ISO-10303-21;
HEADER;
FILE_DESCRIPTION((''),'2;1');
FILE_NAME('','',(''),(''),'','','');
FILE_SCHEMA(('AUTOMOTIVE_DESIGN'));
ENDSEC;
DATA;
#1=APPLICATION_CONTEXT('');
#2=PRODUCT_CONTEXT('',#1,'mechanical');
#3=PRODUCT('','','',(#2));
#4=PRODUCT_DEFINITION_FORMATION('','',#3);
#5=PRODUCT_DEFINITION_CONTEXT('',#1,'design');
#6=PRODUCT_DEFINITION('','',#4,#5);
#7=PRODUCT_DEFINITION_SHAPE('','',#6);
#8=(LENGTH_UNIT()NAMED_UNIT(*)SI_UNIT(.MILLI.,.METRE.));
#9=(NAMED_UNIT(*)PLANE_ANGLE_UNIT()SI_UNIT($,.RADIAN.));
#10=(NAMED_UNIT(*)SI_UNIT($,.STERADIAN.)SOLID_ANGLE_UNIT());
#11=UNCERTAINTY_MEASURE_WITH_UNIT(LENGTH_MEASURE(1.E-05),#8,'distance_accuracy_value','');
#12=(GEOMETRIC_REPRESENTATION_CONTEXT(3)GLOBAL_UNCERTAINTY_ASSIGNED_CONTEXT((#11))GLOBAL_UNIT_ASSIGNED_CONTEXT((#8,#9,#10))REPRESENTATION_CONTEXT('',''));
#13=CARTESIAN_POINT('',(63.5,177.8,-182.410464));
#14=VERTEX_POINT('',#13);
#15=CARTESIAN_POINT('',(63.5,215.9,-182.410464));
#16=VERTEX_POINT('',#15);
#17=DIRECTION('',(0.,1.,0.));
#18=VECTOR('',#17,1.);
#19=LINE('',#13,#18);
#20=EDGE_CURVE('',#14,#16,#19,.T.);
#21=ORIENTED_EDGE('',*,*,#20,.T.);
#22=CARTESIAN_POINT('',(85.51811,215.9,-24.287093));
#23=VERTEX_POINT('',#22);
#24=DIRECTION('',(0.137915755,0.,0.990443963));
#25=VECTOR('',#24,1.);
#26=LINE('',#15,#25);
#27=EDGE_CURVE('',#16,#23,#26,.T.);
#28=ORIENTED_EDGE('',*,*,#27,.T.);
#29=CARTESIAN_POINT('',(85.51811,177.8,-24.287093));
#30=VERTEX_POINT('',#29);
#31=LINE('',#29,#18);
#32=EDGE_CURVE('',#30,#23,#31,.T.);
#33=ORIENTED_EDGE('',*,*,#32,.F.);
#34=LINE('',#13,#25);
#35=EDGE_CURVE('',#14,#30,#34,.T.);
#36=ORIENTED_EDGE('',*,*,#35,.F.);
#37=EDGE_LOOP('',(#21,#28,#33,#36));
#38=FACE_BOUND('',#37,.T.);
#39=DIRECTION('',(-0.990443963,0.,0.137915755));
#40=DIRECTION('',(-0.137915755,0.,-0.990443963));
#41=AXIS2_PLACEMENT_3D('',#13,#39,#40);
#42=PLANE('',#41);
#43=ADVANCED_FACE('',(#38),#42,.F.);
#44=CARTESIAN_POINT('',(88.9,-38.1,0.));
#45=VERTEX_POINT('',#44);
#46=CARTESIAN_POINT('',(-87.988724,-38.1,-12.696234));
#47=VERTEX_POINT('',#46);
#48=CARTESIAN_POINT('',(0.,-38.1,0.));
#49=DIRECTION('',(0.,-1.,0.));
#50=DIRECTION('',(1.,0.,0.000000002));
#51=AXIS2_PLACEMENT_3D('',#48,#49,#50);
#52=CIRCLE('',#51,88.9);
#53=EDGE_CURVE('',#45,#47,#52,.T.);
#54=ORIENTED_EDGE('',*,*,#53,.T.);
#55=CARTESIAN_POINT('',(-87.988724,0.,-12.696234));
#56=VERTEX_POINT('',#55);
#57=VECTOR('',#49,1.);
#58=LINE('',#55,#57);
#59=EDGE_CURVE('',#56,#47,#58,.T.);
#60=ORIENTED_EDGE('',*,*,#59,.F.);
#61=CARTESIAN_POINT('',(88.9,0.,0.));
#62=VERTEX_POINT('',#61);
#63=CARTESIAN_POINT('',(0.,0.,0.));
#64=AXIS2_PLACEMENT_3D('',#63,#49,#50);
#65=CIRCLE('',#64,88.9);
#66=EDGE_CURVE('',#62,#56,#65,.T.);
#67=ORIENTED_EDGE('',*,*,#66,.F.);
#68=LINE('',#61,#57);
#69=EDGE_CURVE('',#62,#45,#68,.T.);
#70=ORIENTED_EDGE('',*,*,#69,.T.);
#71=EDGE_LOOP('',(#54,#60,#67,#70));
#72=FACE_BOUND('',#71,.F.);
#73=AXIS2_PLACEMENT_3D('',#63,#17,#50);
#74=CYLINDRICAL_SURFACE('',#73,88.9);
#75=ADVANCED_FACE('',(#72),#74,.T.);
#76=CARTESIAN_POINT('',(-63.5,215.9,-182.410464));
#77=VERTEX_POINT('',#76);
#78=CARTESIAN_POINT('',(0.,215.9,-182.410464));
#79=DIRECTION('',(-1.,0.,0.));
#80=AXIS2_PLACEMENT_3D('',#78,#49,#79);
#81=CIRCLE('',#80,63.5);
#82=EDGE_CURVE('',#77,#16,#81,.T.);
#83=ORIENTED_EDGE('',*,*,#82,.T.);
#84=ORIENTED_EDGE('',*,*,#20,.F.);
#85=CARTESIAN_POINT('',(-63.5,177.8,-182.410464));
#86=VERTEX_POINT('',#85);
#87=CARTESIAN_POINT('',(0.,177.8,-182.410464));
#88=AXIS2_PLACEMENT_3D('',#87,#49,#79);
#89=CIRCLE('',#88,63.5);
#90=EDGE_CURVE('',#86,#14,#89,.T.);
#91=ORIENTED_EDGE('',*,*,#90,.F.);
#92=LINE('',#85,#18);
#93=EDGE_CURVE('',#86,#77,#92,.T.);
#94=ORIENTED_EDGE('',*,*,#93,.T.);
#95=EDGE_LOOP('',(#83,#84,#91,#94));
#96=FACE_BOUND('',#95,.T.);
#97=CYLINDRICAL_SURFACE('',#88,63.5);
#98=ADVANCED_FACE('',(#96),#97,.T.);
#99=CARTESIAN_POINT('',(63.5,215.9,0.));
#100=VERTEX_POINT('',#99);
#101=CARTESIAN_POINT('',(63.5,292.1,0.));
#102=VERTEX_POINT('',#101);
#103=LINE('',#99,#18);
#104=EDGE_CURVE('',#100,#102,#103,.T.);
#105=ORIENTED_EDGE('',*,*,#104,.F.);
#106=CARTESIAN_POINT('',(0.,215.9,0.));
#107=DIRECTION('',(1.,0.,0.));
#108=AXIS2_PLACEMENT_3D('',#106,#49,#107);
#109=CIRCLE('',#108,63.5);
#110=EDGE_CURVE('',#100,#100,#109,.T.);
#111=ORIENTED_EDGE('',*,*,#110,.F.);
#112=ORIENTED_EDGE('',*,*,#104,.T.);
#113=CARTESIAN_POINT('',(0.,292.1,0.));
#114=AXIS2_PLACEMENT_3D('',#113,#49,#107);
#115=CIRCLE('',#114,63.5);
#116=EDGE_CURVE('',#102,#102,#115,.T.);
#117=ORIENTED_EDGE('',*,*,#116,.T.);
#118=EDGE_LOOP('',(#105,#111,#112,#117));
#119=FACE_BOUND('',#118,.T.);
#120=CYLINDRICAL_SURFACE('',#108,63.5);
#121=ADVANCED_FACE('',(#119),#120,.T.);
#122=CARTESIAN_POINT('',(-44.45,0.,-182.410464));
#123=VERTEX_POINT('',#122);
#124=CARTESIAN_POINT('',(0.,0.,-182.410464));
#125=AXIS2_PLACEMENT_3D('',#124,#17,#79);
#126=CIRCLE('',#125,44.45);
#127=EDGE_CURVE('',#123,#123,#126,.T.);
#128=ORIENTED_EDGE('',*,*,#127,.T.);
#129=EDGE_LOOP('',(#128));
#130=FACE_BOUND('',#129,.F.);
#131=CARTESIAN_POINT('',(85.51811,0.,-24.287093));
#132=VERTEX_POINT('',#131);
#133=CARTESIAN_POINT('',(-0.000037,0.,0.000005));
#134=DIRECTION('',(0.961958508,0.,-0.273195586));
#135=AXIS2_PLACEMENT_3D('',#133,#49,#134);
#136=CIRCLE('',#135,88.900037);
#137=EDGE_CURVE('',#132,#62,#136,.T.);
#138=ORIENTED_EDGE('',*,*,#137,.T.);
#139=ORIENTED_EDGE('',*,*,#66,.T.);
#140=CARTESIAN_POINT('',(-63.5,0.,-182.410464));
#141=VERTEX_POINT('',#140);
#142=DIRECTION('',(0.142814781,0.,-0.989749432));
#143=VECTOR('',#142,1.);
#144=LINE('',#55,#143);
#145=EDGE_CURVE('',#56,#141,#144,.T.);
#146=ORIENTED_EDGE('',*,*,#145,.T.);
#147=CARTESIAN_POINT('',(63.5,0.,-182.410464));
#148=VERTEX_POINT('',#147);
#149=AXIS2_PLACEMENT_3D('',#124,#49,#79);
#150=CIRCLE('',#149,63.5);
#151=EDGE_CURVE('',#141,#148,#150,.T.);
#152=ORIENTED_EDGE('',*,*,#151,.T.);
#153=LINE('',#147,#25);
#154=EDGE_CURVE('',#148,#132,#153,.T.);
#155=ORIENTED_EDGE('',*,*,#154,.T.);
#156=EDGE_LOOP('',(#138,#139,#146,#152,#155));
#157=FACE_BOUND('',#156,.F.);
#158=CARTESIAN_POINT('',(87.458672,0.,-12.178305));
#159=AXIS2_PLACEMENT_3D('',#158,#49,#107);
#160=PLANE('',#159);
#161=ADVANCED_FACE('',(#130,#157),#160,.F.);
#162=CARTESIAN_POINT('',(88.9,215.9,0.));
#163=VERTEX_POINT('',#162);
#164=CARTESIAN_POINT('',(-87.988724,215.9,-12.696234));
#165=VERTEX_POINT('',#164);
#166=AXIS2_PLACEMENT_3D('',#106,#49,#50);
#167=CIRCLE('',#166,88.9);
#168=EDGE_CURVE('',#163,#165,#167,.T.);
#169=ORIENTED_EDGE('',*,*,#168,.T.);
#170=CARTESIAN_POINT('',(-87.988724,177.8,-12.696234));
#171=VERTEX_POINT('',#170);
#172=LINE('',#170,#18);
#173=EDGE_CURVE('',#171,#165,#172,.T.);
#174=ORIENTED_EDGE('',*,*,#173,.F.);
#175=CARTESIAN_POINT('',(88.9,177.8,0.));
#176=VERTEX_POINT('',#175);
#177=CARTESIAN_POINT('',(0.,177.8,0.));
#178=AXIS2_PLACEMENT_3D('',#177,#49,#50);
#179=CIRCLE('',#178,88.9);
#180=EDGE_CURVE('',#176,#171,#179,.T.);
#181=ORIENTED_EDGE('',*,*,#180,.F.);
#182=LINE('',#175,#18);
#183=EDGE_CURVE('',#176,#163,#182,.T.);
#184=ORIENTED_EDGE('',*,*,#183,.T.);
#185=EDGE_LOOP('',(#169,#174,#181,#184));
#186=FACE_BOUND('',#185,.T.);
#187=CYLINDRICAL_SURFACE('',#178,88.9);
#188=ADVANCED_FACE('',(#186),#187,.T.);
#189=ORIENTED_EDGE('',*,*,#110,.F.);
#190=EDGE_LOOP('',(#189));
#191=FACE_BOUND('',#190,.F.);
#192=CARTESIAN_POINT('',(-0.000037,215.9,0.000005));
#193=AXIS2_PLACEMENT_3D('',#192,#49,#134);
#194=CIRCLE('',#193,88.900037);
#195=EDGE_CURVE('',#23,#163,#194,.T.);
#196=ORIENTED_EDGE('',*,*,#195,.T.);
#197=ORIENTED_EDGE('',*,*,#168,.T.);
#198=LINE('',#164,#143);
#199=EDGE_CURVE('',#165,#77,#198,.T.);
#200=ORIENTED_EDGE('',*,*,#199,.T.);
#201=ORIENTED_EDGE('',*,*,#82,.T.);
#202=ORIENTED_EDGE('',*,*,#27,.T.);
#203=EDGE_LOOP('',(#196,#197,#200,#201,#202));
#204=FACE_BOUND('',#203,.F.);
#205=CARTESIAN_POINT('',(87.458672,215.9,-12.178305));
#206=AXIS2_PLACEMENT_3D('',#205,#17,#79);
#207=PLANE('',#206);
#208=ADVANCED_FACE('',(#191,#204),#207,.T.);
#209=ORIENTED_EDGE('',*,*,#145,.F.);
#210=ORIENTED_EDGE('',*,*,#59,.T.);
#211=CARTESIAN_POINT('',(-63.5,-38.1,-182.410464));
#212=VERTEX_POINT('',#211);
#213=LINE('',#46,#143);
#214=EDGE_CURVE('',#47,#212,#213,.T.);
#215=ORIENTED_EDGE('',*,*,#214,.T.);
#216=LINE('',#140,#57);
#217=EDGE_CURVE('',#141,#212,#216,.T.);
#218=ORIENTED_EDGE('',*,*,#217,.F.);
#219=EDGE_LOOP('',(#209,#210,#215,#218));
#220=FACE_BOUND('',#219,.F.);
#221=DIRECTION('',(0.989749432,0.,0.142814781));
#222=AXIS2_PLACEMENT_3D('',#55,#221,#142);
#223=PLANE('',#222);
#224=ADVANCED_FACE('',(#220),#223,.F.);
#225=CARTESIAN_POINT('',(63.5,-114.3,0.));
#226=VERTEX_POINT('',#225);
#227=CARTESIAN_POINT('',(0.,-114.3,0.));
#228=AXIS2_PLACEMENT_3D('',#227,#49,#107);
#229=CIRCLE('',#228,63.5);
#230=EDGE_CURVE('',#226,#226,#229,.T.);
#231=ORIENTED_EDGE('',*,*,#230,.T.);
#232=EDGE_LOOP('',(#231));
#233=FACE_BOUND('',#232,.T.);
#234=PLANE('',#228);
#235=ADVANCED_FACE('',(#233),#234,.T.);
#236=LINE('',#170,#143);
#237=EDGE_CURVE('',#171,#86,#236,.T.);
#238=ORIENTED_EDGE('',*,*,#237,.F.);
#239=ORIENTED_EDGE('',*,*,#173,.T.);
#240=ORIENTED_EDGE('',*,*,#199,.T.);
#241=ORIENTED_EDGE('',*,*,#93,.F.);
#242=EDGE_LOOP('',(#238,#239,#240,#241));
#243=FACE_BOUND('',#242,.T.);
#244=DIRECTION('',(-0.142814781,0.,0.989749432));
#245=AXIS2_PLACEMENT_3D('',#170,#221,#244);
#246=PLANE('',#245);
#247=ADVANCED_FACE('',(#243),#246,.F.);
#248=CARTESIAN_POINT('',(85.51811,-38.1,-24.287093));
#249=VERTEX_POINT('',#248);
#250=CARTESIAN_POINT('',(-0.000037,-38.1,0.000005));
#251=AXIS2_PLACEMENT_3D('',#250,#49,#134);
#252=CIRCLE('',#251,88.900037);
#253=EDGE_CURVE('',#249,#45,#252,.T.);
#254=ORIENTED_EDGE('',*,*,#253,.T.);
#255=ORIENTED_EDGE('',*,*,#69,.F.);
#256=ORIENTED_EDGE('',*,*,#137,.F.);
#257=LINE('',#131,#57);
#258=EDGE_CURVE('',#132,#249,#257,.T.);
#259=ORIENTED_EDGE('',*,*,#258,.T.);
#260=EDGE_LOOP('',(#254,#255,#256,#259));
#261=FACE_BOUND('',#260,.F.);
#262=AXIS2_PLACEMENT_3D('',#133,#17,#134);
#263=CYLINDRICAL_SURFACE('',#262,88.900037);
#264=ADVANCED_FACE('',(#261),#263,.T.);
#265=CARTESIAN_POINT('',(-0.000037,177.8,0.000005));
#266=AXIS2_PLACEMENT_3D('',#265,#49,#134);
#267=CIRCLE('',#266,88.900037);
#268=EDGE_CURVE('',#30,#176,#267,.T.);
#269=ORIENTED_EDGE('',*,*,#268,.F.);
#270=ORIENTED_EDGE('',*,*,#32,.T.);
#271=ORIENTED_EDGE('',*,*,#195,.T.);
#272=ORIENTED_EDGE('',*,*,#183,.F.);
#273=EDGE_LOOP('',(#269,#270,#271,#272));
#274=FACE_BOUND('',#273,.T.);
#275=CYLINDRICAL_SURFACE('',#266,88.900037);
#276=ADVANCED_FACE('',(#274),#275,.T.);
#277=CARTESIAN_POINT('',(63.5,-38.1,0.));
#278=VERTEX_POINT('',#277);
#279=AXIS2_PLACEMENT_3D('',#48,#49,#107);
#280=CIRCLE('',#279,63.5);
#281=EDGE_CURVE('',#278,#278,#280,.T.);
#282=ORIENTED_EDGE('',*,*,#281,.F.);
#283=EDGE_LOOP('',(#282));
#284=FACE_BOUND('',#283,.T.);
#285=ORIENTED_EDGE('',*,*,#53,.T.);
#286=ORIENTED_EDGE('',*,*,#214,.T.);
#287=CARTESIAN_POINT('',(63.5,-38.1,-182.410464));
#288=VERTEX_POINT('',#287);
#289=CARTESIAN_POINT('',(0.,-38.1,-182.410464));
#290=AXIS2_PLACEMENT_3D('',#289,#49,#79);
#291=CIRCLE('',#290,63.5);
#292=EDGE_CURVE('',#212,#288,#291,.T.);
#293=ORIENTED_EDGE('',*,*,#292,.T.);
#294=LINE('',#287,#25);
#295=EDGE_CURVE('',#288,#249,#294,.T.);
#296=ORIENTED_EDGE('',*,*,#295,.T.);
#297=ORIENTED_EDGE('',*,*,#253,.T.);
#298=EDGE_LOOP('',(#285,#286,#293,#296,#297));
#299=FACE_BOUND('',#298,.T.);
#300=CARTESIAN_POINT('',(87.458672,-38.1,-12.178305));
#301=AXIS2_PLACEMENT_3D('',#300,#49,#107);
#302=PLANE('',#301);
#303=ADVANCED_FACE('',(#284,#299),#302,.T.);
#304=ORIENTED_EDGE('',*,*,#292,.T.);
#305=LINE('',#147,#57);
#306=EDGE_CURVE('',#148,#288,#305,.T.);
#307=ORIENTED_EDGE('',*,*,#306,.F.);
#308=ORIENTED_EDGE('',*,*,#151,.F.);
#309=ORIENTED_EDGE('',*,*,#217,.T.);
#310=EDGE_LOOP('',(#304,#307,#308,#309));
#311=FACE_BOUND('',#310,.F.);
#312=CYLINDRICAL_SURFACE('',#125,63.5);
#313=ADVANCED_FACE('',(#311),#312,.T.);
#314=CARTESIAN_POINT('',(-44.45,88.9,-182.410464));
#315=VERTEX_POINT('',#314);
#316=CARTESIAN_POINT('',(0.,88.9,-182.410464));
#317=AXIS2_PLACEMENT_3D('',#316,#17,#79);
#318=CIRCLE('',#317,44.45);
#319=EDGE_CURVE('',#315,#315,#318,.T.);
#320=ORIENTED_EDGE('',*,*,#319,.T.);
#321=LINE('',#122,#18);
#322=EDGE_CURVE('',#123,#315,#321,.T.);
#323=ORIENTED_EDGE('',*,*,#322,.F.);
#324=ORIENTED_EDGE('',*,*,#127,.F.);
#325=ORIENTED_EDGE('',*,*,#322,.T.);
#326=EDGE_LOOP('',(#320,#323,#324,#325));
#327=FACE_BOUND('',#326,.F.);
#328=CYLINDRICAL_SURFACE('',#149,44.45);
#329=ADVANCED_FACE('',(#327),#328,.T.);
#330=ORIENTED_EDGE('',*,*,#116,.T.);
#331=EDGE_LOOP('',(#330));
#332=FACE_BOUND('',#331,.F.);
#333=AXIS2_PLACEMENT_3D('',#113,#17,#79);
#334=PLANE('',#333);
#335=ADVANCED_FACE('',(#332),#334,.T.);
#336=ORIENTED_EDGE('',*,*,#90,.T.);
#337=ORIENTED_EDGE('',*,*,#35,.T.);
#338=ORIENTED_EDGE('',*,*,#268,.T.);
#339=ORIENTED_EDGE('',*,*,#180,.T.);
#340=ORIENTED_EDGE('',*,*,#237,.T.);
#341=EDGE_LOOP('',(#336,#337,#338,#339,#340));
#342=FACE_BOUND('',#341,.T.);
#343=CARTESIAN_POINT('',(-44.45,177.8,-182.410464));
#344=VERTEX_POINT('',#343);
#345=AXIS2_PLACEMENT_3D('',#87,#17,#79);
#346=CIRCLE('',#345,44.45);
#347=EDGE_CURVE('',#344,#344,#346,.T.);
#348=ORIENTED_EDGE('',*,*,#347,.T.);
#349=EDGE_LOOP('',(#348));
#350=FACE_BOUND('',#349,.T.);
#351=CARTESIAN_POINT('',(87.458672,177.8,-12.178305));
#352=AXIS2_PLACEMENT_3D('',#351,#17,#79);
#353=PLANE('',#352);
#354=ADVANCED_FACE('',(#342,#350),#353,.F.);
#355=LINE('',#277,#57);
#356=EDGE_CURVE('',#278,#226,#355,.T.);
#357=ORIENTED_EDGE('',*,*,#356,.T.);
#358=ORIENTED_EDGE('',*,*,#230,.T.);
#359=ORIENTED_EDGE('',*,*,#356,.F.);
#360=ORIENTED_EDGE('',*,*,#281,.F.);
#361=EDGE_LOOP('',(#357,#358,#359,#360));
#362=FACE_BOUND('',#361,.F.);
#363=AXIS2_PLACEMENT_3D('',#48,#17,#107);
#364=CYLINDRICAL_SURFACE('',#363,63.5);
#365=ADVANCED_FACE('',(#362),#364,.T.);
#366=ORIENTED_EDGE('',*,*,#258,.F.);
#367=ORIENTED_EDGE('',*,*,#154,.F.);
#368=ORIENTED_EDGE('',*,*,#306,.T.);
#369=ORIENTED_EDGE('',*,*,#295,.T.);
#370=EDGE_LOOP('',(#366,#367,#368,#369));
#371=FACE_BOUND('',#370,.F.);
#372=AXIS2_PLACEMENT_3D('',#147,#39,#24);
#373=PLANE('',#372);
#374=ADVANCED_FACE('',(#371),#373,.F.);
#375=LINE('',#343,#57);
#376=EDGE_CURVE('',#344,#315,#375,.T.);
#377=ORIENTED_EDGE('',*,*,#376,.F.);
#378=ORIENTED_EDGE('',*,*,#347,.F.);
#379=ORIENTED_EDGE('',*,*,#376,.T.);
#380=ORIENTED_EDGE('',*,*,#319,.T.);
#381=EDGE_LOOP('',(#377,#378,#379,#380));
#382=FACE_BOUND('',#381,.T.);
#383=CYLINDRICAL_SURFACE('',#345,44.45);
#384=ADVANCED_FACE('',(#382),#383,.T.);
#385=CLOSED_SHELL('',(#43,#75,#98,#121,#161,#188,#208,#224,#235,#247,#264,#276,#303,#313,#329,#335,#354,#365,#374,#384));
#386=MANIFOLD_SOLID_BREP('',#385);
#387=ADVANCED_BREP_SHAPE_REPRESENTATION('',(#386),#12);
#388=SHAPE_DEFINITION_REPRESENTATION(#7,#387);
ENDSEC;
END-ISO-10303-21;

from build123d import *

# Parameters (mm, degrees)
F1_DEPTH = 38.1
F2_R     = 63.5
F3_DEPTH = 76.2
F4_R     = 44.45
F5_DEPTH = 88.9


with BuildPart() as f1:
    # F0 (on Front) → F1 (new body)
    with BuildSketch(Plane.XZ):
        with BuildLine():
            Line((88.9, 0), (85.51811, -24.287093))
            ThreePointArc((85.51811, -24.287093), (88.050468, -12.260711), (88.9, 0))
        make_face()
        with BuildLine():
            Line((63.5, -182.410464), (85.51811, -24.287093))
            Line((85.51811, -24.287093), (88.9, 0))
            ThreePointArc((88.9, 0), (-6.364448, 88.671888), (-87.988724, -12.696234))
            Line((-87.988724, -12.696234), (-63.5, -182.410464))
            ThreePointArc((-63.5, -182.410464), (0, -245.910464), (63.5, -182.410464))
        make_face()
    extrude(amount=F1_DEPTH)

    # F2 (on face) → F3 (join)
    with BuildSketch(Plane.XZ.offset(38.1)):
        Circle(F2_R)
    extrude(amount=F3_DEPTH)

    # F4 (on face) → F5 (join)
    with BuildSketch(Plane(origin=(0, 0, 0), x_dir=(-1, 0, 0), z_dir=(0, 1, 0))):
        with Locations((0, -182.410464)):
            Circle(F4_R)
    extrude(amount=F5_DEPTH)

    # F6: F1 across face


with BuildPart() as f1_1:
    add(f1.part)
    add(f1.part.mirror(Plane(origin=(0, 88.9, -182.410464), x_dir=(-1, 0, 0), z_dir=(0, 1, 0))))


solid = f1_1.part
